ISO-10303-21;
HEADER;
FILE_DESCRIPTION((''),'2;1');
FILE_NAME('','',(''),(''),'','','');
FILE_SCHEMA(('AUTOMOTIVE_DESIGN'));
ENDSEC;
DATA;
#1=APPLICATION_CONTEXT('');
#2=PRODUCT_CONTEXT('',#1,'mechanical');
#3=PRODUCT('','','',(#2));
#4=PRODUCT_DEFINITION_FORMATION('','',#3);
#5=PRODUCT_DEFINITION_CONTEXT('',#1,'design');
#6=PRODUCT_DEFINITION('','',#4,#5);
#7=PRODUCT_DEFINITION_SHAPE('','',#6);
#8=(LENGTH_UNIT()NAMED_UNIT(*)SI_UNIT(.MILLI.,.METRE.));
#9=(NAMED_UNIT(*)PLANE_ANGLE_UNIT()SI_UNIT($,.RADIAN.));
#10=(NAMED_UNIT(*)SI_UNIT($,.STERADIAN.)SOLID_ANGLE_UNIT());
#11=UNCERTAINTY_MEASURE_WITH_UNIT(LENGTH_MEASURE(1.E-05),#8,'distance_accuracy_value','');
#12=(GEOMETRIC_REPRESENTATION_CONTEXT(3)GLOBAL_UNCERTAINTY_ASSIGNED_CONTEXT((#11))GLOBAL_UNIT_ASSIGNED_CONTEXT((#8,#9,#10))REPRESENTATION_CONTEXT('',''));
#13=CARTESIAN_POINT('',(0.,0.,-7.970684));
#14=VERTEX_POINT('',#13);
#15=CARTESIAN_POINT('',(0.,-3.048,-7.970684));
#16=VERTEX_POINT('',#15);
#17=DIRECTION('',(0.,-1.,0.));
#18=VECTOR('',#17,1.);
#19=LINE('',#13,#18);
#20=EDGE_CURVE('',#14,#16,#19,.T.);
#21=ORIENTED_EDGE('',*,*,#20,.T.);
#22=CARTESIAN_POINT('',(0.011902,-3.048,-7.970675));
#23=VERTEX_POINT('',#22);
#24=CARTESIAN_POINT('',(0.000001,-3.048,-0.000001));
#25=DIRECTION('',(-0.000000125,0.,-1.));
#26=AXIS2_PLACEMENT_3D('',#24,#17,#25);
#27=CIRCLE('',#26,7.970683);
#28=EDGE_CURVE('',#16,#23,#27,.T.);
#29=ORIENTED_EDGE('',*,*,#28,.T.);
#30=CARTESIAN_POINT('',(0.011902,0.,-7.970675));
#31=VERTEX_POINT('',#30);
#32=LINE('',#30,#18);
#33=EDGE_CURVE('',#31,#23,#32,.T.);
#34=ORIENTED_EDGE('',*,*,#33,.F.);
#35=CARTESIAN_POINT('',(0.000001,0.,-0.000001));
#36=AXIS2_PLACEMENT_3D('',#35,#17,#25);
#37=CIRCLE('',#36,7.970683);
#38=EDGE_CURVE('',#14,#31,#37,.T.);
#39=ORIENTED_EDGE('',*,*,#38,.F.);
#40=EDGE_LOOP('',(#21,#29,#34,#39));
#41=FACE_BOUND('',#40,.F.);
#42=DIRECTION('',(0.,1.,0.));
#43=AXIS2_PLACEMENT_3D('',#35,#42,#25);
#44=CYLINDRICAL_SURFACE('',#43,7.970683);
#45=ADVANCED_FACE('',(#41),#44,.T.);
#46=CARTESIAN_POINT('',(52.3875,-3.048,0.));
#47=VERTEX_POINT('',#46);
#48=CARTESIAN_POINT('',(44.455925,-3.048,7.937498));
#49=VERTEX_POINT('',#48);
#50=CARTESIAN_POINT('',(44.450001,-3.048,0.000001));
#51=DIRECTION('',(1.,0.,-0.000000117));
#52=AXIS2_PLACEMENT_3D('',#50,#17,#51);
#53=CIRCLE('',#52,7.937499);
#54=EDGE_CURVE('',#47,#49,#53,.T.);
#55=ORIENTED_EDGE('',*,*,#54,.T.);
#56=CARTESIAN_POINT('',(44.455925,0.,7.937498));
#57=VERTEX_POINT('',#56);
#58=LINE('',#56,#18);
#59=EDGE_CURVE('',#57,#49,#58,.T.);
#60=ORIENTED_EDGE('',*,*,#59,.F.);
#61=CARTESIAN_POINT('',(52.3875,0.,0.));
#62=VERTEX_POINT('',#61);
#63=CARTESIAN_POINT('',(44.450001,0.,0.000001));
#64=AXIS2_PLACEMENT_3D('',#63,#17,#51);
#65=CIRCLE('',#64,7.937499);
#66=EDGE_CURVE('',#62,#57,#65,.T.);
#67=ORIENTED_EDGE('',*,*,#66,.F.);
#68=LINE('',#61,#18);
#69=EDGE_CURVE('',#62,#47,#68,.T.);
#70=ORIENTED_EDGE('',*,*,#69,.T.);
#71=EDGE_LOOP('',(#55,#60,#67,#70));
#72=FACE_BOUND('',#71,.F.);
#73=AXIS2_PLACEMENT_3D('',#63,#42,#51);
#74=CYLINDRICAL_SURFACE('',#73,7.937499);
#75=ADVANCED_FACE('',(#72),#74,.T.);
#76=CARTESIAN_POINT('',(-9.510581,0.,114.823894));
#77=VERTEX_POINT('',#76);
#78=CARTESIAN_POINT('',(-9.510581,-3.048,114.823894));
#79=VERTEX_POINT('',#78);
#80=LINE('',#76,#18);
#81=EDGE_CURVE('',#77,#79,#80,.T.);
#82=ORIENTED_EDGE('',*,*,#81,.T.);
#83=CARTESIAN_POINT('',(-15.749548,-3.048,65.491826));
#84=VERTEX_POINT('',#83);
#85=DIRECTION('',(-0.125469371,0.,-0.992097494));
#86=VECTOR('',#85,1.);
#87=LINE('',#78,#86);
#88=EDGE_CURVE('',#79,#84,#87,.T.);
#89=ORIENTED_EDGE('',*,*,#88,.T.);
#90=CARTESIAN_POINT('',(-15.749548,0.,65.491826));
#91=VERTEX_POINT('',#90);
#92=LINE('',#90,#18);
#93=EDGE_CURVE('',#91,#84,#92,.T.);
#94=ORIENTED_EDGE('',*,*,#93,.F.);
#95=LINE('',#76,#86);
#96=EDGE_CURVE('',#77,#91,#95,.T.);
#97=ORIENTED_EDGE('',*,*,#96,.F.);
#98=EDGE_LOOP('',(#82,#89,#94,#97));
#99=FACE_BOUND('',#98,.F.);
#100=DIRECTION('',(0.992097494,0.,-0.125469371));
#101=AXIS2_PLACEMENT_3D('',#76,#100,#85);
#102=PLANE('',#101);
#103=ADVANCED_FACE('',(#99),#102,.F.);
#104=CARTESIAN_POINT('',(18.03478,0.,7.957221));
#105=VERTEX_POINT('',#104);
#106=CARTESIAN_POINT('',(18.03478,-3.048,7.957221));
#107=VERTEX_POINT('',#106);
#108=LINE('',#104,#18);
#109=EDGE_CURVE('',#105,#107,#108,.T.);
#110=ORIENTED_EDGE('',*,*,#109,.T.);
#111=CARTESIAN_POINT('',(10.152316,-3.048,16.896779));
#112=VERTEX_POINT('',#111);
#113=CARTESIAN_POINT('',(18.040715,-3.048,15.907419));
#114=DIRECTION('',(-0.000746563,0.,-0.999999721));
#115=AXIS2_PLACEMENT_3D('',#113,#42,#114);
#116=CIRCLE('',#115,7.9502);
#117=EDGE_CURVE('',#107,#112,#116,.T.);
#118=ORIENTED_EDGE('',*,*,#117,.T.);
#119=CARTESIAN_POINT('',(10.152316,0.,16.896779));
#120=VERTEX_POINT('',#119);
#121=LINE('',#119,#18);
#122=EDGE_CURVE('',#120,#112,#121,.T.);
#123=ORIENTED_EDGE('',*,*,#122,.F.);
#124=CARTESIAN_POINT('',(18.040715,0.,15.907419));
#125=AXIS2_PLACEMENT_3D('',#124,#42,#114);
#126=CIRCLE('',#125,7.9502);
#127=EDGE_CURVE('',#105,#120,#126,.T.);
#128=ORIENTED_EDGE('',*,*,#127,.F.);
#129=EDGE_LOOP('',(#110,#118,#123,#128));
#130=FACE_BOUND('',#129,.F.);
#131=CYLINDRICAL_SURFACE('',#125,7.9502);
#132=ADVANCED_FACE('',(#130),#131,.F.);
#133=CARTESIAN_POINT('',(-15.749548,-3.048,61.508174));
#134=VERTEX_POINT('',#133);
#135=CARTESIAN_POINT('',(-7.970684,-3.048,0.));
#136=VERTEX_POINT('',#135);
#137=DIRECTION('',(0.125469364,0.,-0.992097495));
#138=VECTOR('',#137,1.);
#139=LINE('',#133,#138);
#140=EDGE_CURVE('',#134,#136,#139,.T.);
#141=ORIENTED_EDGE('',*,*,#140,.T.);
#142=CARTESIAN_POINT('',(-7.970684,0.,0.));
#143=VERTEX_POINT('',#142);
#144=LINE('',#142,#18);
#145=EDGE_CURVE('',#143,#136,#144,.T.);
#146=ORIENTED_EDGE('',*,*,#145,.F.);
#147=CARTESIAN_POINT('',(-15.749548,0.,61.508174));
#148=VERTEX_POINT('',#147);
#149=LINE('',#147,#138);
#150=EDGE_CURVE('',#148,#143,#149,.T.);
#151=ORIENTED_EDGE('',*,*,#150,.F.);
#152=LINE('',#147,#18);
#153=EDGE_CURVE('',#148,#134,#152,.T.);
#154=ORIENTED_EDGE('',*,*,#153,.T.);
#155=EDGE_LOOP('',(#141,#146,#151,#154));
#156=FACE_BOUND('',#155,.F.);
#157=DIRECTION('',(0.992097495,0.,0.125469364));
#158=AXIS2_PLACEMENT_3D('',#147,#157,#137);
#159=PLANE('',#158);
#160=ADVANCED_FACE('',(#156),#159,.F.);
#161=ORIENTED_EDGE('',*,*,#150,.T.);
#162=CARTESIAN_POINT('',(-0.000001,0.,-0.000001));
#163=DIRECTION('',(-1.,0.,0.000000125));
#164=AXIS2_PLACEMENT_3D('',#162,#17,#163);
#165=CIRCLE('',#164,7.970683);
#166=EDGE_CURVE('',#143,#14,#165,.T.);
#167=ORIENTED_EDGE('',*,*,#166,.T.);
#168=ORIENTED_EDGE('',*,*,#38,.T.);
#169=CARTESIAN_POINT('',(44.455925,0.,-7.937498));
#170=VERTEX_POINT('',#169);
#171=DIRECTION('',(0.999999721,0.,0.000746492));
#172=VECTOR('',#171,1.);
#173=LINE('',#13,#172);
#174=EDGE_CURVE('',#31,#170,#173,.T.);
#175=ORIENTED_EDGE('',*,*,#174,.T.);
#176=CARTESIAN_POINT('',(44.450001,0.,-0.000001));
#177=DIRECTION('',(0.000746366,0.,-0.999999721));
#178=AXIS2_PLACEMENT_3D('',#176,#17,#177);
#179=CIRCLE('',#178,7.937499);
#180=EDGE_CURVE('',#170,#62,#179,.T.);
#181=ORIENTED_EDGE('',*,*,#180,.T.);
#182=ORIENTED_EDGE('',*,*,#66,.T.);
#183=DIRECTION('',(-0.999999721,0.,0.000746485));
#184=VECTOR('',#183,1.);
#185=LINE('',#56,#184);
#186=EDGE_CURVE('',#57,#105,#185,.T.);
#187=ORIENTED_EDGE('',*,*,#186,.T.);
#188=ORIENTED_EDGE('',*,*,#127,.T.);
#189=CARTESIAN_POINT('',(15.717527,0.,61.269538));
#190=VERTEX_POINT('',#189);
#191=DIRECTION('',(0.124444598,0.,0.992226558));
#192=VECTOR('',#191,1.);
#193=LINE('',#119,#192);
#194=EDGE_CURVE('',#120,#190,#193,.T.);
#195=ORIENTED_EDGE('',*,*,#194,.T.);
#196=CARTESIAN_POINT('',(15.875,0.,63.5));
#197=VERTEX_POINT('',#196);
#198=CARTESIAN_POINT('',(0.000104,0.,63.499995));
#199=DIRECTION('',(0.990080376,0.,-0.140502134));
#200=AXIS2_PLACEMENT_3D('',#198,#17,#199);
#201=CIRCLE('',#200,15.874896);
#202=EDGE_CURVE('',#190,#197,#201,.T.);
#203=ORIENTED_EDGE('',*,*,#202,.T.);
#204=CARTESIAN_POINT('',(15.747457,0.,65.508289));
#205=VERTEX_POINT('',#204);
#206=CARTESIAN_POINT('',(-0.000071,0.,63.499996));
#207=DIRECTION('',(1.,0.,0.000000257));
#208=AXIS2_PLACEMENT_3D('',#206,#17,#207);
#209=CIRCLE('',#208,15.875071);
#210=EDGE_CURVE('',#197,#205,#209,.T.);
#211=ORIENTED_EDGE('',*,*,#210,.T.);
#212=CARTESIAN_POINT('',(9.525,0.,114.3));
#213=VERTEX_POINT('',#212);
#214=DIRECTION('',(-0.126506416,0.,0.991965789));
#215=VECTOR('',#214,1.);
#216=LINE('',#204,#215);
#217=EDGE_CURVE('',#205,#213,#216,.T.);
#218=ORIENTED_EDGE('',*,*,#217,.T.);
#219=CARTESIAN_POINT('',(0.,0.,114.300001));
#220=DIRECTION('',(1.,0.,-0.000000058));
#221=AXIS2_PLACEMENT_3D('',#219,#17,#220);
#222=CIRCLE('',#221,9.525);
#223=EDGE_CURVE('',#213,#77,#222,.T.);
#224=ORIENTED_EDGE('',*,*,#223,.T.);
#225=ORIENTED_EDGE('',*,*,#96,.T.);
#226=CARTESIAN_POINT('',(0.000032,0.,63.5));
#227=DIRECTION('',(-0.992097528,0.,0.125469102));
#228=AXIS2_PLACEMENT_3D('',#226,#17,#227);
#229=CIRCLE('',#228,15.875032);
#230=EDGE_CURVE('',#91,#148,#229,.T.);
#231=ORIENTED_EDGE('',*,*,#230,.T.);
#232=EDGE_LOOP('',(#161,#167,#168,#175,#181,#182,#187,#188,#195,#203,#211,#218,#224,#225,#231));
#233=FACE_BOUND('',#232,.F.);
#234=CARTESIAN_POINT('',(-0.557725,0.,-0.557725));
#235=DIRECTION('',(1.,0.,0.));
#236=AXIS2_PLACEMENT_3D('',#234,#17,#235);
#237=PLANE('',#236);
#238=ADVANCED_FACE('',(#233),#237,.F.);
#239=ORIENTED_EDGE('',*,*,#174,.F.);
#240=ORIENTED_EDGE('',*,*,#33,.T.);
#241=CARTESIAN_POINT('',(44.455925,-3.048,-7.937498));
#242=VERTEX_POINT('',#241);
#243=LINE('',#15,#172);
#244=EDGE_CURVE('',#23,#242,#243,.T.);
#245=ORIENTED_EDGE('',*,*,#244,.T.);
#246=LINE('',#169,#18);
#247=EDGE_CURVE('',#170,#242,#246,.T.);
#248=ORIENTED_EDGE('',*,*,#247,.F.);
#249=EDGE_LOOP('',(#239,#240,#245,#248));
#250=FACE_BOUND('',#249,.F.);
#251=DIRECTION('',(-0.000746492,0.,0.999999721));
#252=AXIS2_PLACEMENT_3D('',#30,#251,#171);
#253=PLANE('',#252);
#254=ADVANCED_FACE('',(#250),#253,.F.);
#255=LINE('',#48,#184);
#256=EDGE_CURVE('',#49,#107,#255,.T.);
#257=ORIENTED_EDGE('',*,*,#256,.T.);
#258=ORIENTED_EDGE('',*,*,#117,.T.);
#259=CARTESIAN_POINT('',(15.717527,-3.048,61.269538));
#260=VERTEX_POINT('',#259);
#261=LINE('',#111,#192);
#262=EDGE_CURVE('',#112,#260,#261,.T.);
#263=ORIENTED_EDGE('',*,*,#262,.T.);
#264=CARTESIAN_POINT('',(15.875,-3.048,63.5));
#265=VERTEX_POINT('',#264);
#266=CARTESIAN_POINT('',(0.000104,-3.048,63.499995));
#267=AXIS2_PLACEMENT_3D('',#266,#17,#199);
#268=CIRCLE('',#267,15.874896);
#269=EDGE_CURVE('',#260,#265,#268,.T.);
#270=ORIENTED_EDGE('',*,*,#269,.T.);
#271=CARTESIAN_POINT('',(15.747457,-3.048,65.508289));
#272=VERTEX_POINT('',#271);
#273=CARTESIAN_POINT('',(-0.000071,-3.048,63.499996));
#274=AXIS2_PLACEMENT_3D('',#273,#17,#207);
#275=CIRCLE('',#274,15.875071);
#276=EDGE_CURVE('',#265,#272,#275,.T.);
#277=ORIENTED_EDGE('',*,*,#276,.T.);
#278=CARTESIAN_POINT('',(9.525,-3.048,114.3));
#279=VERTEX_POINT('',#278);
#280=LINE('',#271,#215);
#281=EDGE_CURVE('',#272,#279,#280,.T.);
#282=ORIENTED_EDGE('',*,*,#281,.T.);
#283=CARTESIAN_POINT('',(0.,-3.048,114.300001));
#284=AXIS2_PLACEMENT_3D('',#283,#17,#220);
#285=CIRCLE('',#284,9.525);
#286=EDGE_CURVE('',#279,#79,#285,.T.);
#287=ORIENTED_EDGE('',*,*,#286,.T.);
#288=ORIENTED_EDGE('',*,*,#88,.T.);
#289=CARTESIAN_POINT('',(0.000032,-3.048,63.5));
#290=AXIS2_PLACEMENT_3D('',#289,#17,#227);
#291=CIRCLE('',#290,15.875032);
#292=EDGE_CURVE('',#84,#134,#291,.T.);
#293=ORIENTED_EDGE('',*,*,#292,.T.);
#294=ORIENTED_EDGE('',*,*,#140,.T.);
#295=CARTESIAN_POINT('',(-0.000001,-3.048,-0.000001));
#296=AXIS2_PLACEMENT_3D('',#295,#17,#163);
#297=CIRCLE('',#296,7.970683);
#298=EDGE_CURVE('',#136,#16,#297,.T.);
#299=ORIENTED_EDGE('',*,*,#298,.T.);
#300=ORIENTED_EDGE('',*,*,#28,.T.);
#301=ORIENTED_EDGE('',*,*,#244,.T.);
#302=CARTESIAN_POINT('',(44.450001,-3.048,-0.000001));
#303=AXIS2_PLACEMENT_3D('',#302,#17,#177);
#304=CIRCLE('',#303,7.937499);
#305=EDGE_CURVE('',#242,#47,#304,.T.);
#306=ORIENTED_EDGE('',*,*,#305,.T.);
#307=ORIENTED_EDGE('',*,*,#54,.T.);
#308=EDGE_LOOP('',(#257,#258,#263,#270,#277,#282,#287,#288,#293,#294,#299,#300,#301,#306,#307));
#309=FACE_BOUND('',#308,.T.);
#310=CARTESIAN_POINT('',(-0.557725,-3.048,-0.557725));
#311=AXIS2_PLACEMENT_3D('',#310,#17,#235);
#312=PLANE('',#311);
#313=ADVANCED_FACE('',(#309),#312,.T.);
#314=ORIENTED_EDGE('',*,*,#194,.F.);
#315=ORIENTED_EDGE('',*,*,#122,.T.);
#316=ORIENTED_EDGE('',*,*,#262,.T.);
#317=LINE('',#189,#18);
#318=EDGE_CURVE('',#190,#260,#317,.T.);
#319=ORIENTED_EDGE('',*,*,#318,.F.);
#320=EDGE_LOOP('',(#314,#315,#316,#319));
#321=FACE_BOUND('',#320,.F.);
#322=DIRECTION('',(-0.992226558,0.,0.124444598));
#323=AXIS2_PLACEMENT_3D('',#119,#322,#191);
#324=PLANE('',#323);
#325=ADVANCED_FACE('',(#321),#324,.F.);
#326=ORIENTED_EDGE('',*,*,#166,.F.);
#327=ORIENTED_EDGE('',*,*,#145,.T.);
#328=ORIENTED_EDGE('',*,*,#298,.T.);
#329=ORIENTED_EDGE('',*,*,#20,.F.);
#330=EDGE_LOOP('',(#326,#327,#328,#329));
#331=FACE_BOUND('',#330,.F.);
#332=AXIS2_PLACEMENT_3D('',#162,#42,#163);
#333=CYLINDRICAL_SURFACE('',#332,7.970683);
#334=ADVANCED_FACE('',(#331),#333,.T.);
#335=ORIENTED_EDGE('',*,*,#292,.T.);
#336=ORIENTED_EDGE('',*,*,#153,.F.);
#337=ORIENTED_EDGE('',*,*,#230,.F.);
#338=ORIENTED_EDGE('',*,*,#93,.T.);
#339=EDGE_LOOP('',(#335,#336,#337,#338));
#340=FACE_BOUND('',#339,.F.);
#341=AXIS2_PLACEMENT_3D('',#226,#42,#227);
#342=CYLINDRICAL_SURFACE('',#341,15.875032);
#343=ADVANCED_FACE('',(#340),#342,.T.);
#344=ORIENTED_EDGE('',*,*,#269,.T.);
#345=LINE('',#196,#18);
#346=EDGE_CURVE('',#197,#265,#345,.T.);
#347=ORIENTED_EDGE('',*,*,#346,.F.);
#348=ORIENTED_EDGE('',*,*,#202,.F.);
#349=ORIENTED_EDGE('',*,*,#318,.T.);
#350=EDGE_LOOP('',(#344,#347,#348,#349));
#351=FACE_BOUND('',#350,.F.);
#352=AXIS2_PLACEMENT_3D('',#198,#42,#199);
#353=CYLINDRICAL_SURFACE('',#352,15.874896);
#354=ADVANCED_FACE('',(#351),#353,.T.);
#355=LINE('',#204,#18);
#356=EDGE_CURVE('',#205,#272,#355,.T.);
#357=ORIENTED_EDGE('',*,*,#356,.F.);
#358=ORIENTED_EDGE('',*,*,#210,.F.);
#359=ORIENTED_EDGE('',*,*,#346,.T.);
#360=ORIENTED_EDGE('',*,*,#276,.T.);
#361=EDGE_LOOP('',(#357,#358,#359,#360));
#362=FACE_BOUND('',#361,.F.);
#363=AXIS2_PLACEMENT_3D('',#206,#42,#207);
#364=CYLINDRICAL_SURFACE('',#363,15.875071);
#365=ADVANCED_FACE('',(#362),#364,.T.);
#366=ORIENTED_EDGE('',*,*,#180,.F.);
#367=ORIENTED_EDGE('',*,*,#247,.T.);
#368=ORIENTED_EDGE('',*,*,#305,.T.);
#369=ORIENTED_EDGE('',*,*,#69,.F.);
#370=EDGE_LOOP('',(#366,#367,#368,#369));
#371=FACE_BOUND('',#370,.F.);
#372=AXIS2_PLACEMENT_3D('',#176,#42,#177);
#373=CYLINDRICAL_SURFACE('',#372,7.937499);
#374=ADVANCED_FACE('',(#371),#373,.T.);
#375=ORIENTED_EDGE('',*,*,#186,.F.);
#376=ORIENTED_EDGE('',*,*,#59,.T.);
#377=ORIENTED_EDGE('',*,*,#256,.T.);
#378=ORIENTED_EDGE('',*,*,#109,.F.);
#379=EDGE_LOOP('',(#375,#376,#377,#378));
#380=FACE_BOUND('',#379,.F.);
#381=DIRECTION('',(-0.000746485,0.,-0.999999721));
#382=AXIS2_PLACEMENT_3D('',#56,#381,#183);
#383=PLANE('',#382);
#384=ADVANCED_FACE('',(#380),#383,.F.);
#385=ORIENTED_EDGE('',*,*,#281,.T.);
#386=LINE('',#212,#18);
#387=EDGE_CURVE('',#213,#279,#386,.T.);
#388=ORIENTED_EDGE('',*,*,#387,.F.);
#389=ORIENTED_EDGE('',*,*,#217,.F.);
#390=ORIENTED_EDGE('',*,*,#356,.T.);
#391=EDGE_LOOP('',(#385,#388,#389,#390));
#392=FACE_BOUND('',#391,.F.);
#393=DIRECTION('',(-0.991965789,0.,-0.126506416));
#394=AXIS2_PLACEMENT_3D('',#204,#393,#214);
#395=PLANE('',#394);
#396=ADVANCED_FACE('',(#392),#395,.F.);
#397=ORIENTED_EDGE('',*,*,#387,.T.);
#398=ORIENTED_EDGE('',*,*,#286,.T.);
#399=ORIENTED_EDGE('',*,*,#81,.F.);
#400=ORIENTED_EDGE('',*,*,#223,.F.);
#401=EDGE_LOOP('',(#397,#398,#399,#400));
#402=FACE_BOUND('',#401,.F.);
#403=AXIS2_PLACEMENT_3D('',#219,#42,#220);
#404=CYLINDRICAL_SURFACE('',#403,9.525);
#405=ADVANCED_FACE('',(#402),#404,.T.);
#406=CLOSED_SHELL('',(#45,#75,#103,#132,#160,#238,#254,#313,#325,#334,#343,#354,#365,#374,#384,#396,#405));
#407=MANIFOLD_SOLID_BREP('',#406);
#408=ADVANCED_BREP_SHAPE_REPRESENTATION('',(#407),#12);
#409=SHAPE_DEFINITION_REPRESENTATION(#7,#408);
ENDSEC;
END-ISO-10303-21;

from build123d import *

# Parameters (mm, degrees)
F2_DEPTH = 3.048
F1_R     = 3.175
F1_R_2   = 38.1
F3_DEPTH = 25.4


with BuildPart() as f2:
    # F0 (on Front) → F2 (new body)
    with BuildSketch(Plane.XZ):
        with BuildLine():
            Line((7.970684, 0), (0, 0))
            Line((0, 0), (0, 7.970684))
            ThreePointArc((0, 7.970684), (-5.636125, 5.636125), (-7.970684, 0))
            ThreePointArc((-7.970684, 0), (-5.636125, -5.636125), (0, -7.970684))
            ThreePointArc((0, -7.970684), (5.636125, -5.636125), (7.970684, 0))
        make_face()
        with BuildLine():
            ThreePointArc((-7.970684, 0), (-5.636125, 5.636125), (0, 7.970684))
            Line((0, 7.970684), (0, 47.625))
            ThreePointArc((0, 47.625), (-10.497509, 51.591267), (-15.749548, 61.508174))
            Line((-15.749548, 61.508174), (-7.970684, 0))
        make_face()
        with BuildLine():
            Line((0, 63.5), (0, 47.625))
            ThreePointArc((0, 47.625), (10.406898, 51.512002), (15.717527, 61.269538))
            ThreePointArc((15.717527, 61.269538), (15.835583, 62.381993), (15.875, 63.5))
            ThreePointArc((15.875, 63.5), (15.843082, 64.506168), (15.747457, 65.508289))
            ThreePointArc((15.747457, 65.508289), (10.491283, 75.414219), (0, 79.375))
            Line((0, 79.375), (0, 63.5))
        make_face()
        with BuildLine():
            ThreePointArc((-15.749548, 61.508174), (-10.497509, 51.591267), (0, 47.625))
            Line((0, 47.625), (0, 63.5))
            Line((0, 63.5), (0, 79.375))
            ThreePointArc((0, 79.375), (-10.497509, 75.408733), (-15.749548, 65.491826))
            ThreePointArc((-15.749548, 65.491826), (-15.875, 63.5), (-15.749548, 61.508174))
        make_face()
        with BuildLine():
            ThreePointArc((7.970684, 0), (5.636125, -5.636125), (0, -7.970684))
            Line((0, -7.970684), (44.455925, -7.937498))
            ThreePointArc((44.455925, -7.937498), (38.839435, -5.614755), (36.5125, 0))
            Line((36.5125, 0), (7.970684, 0))
        make_face()
        with BuildLine():
            Line((0, 47.625), (0, 7.970684))
            ThreePointArc((0, 7.970684), (5.636125, 5.636125), (7.970684, 0))
            Line((7.970684, 0), (36.5125, 0))
            ThreePointArc((36.5125, 0), (38.839435, 5.614755), (44.455925, 7.937498))
            Line((44.455925, 7.937498), (18.03478, 7.957221))
            ThreePointArc((18.03478, 7.957221), (12.077574, 10.649413), (10.152316, 16.896779))
            Line((10.152316, 16.896779), (15.717527, 61.269538))
            ThreePointArc((15.717527, 61.269538), (10.406898, 51.512002), (0, 47.625))
        make_face()
        with BuildLine():
            Line((0, 104.775), (0, 79.375))
            ThreePointArc((0, 79.375), (10.491283, 75.414219), (15.747457, 65.508289))
            Line((15.747457, 65.508289), (9.525, 114.3))
            ThreePointArc((9.525, 114.3), (6.735192, 107.564808), (0, 104.775))
        make_face()
        with BuildLine():
            ThreePointArc((-15.749548, 65.491826), (-10.497509, 75.408733), (0, 79.375))
            Line((0, 79.375), (0, 104.775))
            ThreePointArc((0, 104.775), (-6.917937, 107.752652), (-9.510581, 114.823894))
            Line((-9.510581, 114.823894), (-15.749548, 65.491826))
        make_face()
        with BuildLine():
            Line((0, 7.970684), (0, 0))
            Line((0, 0), (7.970684, 0))
            ThreePointArc((7.970684, 0), (5.636125, 5.636125), (0, 7.970684))
        make_face()
        with BuildLine():
            ThreePointArc((44.455925, 7.937498), (38.839435, 5.614755), (36.5125, 0))
            ThreePointArc((36.5125, 0), (38.839435, -5.614755), (44.455925, -7.937498))
            ThreePointArc((44.455925, -7.937498), (50.064755, -5.610565), (52.3875, 0))
            ThreePointArc((52.3875, 0), (50.064755, 5.610565), (44.455925, 7.937498))
        make_face()
        with BuildLine():
            ThreePointArc((-9.510581, 114.823894), (-6.917937, 107.752652), (0, 104.775))
            ThreePointArc((0, 104.775), (6.735192, 107.564808), (9.525, 114.3))
            ThreePointArc((9.525, 114.3), (0.262046, 123.821395), (-9.510581, 114.823894))
        make_face()
    extrude(amount=F2_DEPTH)

    # F1 (on Front) → F3 (cut)
    with BuildSketch(Plane.XZ):
        Circle(F1_R)
        with Locations((0, 114.3)):
            Circle(F1_R)
        with Locations((44.45, 0)):
            Circle(F1_R)
        with Locations((0, 167.433287)):
            Circle(F1_R_2)
        with Locations((-3.175, 100.0252)):
            Circle(F1_R)
    extrude(amount=-F3_DEPTH, mode=Mode.SUBTRACT)


solid = f2.part
